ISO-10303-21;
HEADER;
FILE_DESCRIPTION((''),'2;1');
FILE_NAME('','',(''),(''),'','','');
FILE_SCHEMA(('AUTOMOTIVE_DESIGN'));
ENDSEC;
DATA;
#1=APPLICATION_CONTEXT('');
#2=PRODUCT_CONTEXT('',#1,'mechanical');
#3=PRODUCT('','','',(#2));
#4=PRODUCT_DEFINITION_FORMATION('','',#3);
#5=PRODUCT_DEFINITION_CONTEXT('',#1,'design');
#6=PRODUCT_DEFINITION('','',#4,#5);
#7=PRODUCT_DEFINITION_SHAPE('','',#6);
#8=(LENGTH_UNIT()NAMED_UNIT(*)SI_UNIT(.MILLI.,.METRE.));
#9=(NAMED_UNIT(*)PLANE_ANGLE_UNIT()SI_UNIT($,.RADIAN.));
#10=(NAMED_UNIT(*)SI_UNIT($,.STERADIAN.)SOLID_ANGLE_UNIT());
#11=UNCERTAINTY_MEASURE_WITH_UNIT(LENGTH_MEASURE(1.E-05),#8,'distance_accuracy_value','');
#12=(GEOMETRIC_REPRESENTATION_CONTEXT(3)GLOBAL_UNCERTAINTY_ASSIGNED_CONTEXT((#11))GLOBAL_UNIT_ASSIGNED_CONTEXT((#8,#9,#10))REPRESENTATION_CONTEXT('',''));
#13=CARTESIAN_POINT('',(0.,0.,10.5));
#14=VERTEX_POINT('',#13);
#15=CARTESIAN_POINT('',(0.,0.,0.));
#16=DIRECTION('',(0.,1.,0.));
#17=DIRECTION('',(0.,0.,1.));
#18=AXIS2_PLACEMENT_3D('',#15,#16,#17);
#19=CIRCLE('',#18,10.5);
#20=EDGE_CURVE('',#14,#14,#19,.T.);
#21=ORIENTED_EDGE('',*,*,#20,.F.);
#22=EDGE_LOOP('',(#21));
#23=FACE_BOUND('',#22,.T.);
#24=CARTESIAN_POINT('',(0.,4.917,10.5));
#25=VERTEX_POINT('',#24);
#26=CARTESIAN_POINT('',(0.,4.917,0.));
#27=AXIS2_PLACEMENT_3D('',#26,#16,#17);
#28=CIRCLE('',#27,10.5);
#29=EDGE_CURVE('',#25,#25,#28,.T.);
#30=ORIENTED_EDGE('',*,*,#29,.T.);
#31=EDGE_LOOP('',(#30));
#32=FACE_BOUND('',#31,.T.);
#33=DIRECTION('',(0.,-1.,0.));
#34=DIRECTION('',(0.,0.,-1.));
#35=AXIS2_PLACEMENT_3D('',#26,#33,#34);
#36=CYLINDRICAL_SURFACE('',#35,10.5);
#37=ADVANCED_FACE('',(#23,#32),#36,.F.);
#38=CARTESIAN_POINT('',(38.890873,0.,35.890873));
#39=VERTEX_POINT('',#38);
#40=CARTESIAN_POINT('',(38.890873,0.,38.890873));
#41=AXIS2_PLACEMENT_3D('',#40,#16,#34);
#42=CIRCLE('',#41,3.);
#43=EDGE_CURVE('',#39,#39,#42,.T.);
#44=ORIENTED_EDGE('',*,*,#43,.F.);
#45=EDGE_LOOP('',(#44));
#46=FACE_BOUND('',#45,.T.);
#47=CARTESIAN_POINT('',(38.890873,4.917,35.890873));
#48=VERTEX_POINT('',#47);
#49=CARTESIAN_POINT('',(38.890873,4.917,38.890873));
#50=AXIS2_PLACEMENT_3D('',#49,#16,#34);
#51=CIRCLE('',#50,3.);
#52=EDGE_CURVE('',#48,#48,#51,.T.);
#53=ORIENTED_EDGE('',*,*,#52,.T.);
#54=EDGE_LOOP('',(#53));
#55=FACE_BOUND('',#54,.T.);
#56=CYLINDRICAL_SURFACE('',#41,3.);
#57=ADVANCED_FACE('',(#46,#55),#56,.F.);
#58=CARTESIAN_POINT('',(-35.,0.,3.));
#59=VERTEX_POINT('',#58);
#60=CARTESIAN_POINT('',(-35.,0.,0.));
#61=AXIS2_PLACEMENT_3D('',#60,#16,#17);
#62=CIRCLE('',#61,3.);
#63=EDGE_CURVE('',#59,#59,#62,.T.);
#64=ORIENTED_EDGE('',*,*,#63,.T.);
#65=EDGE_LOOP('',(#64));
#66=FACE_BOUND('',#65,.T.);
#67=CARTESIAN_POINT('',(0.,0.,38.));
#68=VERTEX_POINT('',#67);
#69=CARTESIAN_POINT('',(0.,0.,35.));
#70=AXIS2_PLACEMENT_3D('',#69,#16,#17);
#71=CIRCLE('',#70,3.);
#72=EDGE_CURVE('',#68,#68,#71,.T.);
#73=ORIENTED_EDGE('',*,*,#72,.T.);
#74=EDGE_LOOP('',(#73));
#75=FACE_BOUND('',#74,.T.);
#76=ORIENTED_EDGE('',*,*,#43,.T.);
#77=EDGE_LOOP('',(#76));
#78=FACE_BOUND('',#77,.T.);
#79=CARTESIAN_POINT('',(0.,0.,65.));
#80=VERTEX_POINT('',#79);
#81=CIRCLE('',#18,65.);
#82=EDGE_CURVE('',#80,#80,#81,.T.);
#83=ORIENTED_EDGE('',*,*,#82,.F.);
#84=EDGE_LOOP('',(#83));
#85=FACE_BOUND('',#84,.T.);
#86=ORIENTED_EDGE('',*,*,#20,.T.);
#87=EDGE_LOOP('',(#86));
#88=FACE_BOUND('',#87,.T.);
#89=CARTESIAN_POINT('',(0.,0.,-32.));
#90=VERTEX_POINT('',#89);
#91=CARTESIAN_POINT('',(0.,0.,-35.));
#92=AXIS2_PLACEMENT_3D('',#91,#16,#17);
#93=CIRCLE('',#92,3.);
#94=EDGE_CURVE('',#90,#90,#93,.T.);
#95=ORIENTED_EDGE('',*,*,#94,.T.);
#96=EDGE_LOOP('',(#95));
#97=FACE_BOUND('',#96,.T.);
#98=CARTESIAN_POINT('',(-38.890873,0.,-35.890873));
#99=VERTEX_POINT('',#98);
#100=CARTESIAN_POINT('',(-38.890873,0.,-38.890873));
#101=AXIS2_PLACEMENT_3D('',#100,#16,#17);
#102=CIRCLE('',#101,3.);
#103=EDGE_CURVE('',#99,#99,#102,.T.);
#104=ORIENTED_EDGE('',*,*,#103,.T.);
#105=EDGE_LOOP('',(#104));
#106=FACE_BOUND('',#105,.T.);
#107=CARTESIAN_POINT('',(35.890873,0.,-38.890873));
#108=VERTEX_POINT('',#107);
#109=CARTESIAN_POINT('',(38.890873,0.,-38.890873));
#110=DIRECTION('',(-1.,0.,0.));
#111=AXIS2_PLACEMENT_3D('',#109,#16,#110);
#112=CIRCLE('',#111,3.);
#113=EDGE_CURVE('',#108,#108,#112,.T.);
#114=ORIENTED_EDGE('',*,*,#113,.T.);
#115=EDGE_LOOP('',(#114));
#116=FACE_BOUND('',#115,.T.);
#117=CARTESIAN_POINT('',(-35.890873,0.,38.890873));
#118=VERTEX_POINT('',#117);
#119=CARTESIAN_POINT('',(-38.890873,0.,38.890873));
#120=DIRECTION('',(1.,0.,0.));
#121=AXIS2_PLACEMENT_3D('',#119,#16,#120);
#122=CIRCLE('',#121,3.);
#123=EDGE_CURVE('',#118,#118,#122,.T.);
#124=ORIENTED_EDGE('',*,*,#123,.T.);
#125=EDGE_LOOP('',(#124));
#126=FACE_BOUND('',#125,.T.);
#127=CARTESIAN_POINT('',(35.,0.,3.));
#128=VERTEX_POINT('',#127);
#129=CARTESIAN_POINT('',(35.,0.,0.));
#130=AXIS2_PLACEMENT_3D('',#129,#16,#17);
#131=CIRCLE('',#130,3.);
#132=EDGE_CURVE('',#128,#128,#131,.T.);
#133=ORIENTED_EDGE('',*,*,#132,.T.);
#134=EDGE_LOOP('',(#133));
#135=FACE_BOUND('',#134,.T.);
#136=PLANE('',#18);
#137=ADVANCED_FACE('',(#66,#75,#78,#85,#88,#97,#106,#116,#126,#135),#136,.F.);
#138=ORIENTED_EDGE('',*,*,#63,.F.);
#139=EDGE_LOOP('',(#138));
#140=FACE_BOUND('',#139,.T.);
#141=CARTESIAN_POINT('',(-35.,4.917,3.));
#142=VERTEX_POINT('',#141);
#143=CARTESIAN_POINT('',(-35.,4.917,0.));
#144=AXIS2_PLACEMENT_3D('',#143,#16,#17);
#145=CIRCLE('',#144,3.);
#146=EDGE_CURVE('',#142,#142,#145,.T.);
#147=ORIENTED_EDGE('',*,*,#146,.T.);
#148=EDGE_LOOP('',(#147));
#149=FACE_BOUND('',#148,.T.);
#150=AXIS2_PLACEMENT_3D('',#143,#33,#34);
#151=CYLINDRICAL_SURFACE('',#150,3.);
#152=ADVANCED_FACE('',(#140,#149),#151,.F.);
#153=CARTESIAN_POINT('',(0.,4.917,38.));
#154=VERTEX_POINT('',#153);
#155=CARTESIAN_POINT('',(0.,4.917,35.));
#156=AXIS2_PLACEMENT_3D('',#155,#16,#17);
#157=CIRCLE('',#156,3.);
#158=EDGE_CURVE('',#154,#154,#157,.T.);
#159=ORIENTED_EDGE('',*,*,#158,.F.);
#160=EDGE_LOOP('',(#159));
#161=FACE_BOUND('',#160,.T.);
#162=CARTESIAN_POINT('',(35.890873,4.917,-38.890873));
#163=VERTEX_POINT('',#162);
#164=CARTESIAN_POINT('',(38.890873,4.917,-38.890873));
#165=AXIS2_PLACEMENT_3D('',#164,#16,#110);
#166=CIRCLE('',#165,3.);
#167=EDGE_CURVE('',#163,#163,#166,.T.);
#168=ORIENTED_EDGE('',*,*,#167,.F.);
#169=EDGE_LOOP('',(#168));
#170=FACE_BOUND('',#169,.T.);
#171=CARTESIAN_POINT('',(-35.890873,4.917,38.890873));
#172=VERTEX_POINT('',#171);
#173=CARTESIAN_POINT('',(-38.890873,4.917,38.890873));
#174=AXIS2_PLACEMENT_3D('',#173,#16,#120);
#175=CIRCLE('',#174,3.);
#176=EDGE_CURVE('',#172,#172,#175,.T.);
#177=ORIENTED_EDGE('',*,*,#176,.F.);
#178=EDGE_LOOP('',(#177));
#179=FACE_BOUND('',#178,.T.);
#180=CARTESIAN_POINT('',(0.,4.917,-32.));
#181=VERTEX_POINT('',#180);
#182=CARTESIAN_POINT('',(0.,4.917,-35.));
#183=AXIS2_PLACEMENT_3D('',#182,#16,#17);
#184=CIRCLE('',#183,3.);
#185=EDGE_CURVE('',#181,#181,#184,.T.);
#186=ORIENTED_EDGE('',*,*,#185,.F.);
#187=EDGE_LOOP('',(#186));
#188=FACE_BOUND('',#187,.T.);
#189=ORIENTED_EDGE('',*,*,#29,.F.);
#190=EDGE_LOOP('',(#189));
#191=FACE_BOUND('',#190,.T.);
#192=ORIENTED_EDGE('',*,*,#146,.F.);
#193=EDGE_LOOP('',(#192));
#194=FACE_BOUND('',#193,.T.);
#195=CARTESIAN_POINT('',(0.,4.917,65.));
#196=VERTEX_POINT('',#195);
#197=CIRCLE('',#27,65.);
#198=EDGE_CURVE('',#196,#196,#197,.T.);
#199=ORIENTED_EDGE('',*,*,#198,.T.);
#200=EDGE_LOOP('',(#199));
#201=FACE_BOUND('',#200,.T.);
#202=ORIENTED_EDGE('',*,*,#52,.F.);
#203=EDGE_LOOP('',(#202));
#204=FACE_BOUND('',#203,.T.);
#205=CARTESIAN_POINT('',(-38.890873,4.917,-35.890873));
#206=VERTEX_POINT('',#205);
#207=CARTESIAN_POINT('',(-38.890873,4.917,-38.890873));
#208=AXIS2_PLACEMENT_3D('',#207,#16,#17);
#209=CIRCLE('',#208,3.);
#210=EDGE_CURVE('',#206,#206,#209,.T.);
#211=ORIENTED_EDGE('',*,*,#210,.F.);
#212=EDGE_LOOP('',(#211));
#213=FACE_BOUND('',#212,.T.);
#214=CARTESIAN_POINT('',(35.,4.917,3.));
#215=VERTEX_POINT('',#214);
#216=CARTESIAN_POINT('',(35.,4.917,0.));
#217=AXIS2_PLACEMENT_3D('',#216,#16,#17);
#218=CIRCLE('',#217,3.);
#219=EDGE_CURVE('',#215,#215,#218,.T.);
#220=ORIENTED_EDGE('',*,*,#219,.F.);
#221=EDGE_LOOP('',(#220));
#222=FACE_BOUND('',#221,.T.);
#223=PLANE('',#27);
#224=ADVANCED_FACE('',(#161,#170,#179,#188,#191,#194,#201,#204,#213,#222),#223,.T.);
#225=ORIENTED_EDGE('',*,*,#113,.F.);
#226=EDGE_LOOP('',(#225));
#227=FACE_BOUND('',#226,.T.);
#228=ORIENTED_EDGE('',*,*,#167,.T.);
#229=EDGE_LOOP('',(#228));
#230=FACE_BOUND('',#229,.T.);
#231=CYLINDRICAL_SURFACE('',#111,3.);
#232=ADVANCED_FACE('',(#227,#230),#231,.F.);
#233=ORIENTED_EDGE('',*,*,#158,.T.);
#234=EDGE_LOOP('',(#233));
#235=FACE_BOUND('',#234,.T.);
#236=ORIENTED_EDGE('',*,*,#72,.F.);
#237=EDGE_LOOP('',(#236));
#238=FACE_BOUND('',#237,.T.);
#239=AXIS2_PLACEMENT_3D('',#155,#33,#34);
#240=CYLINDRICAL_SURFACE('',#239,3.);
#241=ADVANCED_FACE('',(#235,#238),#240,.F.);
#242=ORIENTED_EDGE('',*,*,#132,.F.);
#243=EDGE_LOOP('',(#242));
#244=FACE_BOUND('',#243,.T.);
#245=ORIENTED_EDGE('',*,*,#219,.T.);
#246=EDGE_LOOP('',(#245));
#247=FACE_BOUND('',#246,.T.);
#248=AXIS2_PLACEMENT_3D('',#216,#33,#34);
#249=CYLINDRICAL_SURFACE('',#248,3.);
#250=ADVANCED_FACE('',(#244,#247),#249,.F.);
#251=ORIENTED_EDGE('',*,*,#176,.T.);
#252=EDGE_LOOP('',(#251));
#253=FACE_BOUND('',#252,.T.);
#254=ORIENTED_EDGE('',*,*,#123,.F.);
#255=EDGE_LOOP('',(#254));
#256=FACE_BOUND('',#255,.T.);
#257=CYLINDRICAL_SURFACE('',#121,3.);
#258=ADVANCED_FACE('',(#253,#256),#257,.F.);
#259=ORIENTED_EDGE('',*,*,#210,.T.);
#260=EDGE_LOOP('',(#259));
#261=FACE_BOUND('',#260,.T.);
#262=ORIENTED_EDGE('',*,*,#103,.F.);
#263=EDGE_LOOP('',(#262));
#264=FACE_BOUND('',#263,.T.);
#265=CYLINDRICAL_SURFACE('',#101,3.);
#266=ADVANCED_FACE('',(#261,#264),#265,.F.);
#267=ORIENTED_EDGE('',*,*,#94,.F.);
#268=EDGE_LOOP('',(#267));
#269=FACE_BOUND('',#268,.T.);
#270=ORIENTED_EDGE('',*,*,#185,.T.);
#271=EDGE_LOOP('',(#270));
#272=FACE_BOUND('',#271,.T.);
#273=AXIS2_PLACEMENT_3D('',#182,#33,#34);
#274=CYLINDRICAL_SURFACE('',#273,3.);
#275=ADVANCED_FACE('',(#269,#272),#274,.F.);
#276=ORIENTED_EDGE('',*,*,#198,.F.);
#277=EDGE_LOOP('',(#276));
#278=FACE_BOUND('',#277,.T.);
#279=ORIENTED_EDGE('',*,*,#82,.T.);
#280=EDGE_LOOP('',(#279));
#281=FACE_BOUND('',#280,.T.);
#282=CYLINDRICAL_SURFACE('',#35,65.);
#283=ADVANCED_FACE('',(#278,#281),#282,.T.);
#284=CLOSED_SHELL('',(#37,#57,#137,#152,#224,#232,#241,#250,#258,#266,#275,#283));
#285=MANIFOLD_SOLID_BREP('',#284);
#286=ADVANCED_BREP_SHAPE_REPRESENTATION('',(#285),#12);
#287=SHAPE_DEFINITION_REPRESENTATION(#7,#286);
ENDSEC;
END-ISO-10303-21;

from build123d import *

# Parameters (mm, degrees)
SKETCH_1_R         = 65
SKETCH_1_R_2       = 3
SKETCH_1_R_3       = 10.5
EXTRUDE_3_DEPTH    = 4.917000374
CUT_EXTRUDE1_START = -5.917000374
SKETCH1_R          = 3
CUT_EXTRUDE1_DEPTH = 6.917000374
CIRPATTERN1_COUNT  = 4


with BuildPart() as part:
    # 草圖1 → 填料-伸長3 (new body)
    with BuildSketch(Plane(origin=(0, 0, 0), x_dir=(1, 0, 0), z_dir=(0, 1, 0))):
        Circle(SKETCH_1_R)
        with Locations((-35, 0)):
            Circle(SKETCH_1_R_2, mode=Mode.SUBTRACT)
        with Locations((35, 0)):
            Circle(SKETCH_1_R_2, mode=Mode.SUBTRACT)
        with Locations((0, -35)):
            Circle(SKETCH_1_R_2, mode=Mode.SUBTRACT)
        with Locations((0, 35)):
            Circle(SKETCH_1_R_2, mode=Mode.SUBTRACT)
        Circle(SKETCH_1_R_3, mode=Mode.SUBTRACT)
    extrude(amount=EXTRUDE_3_DEPTH)

    # Sketch1 → Cut-Extrude1 (cut)
    with BuildSketch(Plane(origin=(0, 4.917000374, 0), x_dir=(1, 0, 0), z_dir=(0, 1, 0)).offset(CUT_EXTRUDE1_START)):
        with Locations((-38.890872965, 38.890872965)):
            Circle(SKETCH1_R)
    cut_extrude1 = extrude(amount=CUT_EXTRUDE1_DEPTH, mode=Mode.SUBTRACT)

    # CirPattern1: Cut-Extrude1 ×4 about axis
    cirpattern1_axis = Axis((0, 0, 0), (0, 1, 0))
    for i in range(1, CIRPATTERN1_COUNT):
        add(cut_extrude1.rotate(cirpattern1_axis, i * 360 / CIRPATTERN1_COUNT), mode=Mode.SUBTRACT)


solid = part.part
